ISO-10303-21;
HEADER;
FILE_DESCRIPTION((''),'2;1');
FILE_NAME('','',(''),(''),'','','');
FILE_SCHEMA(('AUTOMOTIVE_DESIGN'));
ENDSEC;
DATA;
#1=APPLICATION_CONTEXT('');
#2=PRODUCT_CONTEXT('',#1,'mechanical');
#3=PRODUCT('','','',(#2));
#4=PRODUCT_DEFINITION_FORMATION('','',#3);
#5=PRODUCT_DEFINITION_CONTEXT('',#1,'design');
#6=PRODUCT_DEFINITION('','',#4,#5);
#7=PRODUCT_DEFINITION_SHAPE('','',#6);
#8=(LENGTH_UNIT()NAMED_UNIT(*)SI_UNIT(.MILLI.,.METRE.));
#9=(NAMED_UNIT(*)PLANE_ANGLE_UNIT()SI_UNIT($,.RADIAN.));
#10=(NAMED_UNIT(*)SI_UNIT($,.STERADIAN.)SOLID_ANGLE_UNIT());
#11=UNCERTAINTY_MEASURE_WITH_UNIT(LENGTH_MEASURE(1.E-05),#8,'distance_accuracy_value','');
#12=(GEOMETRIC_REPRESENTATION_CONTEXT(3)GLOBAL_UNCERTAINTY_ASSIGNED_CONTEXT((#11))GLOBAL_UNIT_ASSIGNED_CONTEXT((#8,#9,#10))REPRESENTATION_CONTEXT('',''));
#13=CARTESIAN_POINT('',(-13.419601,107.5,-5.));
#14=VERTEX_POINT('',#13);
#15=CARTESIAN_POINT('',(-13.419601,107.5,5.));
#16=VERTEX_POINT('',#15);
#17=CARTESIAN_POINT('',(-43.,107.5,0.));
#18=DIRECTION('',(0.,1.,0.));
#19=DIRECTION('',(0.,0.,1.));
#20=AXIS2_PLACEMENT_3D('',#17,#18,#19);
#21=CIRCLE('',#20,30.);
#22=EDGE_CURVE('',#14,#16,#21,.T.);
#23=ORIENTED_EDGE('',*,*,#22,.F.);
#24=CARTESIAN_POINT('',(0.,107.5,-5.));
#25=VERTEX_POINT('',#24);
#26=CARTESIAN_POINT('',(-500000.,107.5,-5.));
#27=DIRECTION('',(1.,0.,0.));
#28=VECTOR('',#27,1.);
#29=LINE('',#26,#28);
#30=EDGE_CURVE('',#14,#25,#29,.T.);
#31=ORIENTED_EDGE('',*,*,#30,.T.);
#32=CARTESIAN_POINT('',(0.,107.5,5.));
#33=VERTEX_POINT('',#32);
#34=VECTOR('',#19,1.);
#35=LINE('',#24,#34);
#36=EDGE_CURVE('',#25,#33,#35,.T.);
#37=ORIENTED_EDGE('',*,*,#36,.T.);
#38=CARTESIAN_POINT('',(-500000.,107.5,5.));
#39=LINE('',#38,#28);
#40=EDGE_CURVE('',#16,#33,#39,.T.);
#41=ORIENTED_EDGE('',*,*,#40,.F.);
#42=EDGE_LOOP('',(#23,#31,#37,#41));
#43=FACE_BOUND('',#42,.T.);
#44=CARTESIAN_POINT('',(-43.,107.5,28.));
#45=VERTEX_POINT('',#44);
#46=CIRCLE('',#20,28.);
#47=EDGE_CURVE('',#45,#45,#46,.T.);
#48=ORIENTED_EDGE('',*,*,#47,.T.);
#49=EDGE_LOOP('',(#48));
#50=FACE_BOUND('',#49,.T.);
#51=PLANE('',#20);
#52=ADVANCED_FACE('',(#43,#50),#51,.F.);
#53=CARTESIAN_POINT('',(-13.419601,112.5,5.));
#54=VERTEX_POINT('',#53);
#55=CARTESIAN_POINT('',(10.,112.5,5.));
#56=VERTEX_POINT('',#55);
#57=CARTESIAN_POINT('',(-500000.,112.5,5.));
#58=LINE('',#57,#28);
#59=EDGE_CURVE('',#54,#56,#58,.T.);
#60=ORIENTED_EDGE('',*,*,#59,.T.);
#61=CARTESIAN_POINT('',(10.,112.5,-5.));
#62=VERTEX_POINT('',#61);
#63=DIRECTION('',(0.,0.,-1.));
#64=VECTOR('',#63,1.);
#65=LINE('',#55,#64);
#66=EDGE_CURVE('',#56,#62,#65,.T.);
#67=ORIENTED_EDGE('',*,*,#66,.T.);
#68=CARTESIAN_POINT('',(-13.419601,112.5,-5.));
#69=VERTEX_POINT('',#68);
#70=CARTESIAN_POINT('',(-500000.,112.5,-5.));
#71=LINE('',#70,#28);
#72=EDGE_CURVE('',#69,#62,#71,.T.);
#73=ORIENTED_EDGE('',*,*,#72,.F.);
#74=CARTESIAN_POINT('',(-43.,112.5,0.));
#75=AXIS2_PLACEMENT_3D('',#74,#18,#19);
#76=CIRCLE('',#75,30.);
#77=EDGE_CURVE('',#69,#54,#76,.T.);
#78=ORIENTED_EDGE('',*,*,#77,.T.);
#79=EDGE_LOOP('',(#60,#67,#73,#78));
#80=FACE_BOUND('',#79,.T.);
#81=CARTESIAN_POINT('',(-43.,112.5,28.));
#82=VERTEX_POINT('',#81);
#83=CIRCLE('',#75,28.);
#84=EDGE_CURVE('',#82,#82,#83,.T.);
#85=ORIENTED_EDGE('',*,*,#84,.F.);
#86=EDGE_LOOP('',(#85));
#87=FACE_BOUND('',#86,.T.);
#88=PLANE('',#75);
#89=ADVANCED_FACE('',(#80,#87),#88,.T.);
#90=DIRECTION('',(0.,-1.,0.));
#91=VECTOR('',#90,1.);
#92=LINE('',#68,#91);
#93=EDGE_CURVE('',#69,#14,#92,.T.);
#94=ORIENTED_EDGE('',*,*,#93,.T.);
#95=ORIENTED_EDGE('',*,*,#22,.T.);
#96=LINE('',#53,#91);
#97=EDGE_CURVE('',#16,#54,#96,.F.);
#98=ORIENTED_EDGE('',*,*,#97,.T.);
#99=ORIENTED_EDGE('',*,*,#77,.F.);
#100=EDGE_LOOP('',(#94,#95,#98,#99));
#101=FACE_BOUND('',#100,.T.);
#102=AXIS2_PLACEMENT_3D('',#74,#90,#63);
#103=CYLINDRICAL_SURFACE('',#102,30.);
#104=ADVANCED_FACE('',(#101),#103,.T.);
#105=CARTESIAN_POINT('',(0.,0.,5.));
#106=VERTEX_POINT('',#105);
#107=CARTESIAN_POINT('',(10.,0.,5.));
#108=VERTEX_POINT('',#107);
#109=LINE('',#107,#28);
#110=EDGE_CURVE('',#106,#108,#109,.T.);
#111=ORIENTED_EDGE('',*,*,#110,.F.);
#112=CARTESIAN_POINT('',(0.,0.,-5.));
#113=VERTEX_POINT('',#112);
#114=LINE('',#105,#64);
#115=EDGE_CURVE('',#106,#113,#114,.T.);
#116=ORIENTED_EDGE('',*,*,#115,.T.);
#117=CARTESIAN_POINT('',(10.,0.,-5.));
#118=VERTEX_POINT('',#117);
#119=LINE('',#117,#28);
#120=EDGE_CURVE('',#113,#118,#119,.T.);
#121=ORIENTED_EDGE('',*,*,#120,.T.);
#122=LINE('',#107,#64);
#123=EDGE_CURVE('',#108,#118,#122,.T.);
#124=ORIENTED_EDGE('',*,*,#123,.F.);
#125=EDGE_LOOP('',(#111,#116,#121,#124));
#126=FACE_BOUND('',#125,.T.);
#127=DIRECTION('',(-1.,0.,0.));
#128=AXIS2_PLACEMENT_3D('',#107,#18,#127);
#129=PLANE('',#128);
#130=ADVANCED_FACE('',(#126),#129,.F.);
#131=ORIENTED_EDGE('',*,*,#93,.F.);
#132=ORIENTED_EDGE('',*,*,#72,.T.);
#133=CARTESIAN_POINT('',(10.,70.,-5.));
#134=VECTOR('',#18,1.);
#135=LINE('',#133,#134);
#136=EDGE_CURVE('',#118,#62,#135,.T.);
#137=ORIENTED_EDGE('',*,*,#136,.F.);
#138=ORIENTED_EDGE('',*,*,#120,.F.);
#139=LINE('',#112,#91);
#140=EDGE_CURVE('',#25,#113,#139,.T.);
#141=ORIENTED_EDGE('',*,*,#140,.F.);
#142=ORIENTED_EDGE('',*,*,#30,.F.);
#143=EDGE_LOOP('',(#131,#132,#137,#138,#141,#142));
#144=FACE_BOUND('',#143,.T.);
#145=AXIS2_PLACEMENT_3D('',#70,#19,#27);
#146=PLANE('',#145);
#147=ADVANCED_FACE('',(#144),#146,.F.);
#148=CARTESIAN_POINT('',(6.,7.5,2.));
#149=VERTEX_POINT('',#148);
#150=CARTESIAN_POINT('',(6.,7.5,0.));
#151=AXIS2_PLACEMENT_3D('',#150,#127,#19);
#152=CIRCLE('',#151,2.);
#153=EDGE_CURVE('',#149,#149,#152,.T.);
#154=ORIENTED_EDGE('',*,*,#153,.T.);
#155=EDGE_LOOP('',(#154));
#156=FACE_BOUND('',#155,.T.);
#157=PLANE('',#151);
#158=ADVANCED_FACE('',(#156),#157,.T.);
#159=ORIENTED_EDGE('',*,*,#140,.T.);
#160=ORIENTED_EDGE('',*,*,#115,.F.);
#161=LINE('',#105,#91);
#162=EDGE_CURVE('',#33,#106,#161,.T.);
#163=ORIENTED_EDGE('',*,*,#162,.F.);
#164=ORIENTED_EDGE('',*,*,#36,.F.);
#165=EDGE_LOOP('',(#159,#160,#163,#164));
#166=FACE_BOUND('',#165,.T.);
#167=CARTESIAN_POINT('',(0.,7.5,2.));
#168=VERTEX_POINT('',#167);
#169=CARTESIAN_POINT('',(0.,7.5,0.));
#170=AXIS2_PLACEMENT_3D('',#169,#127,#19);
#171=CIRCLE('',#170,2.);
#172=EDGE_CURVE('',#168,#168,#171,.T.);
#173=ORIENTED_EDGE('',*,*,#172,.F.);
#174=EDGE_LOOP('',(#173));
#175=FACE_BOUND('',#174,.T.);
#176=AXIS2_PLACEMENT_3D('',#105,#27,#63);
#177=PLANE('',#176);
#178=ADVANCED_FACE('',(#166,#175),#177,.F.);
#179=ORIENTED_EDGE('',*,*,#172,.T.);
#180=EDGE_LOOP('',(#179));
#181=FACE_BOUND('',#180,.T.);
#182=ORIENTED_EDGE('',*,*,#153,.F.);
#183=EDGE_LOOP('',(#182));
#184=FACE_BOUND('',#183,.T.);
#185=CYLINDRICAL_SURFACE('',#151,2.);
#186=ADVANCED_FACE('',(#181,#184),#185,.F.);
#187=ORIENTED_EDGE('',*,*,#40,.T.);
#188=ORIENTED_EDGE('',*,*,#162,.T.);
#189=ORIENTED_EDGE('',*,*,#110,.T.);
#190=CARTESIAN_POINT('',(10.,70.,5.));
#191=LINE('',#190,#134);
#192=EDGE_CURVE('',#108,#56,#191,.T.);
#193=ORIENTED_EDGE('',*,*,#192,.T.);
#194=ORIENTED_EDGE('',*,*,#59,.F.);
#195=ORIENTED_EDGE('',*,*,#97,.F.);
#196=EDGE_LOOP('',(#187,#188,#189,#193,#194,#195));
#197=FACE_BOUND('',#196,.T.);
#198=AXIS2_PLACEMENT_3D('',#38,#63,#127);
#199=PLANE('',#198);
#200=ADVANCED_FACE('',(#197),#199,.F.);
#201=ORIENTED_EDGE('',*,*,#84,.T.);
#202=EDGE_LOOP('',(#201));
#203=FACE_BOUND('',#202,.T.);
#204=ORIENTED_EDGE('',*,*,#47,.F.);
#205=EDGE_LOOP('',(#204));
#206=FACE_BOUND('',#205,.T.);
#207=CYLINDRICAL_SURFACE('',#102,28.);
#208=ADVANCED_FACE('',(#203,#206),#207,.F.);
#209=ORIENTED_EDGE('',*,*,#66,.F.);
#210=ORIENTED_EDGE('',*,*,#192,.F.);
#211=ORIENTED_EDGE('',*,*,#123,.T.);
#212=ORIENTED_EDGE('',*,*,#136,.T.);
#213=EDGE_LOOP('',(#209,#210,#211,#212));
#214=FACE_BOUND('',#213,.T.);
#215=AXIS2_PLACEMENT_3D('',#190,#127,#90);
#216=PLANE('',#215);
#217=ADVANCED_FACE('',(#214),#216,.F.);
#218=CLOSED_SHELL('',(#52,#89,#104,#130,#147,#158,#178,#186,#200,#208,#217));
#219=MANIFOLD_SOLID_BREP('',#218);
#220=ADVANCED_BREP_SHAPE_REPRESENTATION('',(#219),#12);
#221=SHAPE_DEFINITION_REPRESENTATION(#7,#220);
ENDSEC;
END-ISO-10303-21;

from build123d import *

# Parameters (mm, degrees)
ESQUISSE3_W             = 10
ESQUISSE3_H             = 70
BOSS_EXTRU_1_DEPTH      = 5
ESQUISSE8_R             = 30
ESQUISSE8_R_2           = 28
BOSS_EXTRU_4_DEPTH      = 2.5
ESQUISSE8_W             = 22
ESQUISSE8_H             = 10
BOSS_EXTRU_4_2_DEPTH    = 2.5
BOSS_EXTRU_5_REACH      = 107.494
ESQUISSE9_W             = 10
ESQUISSE9_H             = 10
BOSS_EXTRU_6_REACH      = 133.443
ESQUISSE10_W            = 10
ESQUISSE10_H            = 5
ESQUISSE11_R            = 2
ENL_V_MAT_EXTRU_1_DEPTH = 6


with BuildPart() as part:
    # Esquisse3 → Boss.-Extru.1 (new, symmetric)
    with BuildSketch(Plane.XY):
        with Locations((5, 35)):
            Rectangle(ESQUISSE3_W, ESQUISSE3_H)
    extrude(amount=BOSS_EXTRU_1_DEPTH, both=True)


with BuildPart() as body_2:
    # Esquisse8 → Boss.-Extru.4 (new, symmetric)
    with BuildSketch(Plane(origin=(0, 110, 0), x_dir=(1, 0, 0), z_dir=(0, 1, 0))):
        with Locations(Location((-43, 0, 0), (0, 0, 270))):
            Circle(ESQUISSE8_R)
        with Locations(Location((-43, 0, 0), (0, 0, 270))):
            Circle(ESQUISSE8_R_2, mode=Mode.SUBTRACT)
    extrude(amount=BOSS_EXTRU_4_DEPTH, both=True)

    # Esquisse10 → Boss.-Extru.6 (add, up to next)
    with BuildSketch(Plane.ZY.offset(12), mode=Mode.PRIVATE) as boss_extru_6_sk1:
        with Locations((0, 110)):
            Rectangle(ESQUISSE10_W, ESQUISSE10_H)
    boss_extru_6_tool1 = extrude(boss_extru_6_sk1.sketch, amount=BOSS_EXTRU_6_REACH, mode=Mode.PRIVATE) - body_2.part


with BuildPart() as body_3:
    # Esquisse8 → Boss.-Extru.4 2 (new, symmetric)
    with BuildSketch(Plane(origin=(0, 110, 0), x_dir=(1, 0, 0), z_dir=(0, 1, 0))):
        with Locations((-1, 0)):
            Rectangle(ESQUISSE8_W, ESQUISSE8_H)
    extrude(amount=BOSS_EXTRU_4_2_DEPTH, both=True)

    # Esquisse9 → Boss.-Extru.5 (add, up to next)
    with BuildSketch(Plane(origin=(0, 70, 0), x_dir=(1, 0, 0), z_dir=(0, 1, 0)), mode=Mode.PRIVATE) as boss_extru_5_sk1:
        with Locations((5, 0)):
            Rectangle(ESQUISSE9_W, ESQUISSE9_H)
    boss_extru_5_tool1 = extrude(boss_extru_5_sk1.sketch, amount=BOSS_EXTRU_5_REACH, mode=Mode.PRIVATE) - body_3.part

    add(part.part)  # Boss.-Extru.5 merges part
    add(boss_extru_5_tool1.solids().sort_by_distance((5, 70, 0))[0])


with BuildPart() as body_2_1:
    add(body_2.part)

    add(body_3.part)  # Boss.-Extru.6 merges body 3
    add(boss_extru_6_tool1.solids().sort_by_distance((-12, 110, 0))[0])

    # Esquisse11 → Enlèv. mat.-Extru.1 (cut)
    with BuildSketch(Plane.ZY):
        with Locations((0, 7.5)):
            Circle(ESQUISSE11_R)
    extrude(amount=-ENL_V_MAT_EXTRU_1_DEPTH, mode=Mode.SUBTRACT)


solid = body_2_1.part
